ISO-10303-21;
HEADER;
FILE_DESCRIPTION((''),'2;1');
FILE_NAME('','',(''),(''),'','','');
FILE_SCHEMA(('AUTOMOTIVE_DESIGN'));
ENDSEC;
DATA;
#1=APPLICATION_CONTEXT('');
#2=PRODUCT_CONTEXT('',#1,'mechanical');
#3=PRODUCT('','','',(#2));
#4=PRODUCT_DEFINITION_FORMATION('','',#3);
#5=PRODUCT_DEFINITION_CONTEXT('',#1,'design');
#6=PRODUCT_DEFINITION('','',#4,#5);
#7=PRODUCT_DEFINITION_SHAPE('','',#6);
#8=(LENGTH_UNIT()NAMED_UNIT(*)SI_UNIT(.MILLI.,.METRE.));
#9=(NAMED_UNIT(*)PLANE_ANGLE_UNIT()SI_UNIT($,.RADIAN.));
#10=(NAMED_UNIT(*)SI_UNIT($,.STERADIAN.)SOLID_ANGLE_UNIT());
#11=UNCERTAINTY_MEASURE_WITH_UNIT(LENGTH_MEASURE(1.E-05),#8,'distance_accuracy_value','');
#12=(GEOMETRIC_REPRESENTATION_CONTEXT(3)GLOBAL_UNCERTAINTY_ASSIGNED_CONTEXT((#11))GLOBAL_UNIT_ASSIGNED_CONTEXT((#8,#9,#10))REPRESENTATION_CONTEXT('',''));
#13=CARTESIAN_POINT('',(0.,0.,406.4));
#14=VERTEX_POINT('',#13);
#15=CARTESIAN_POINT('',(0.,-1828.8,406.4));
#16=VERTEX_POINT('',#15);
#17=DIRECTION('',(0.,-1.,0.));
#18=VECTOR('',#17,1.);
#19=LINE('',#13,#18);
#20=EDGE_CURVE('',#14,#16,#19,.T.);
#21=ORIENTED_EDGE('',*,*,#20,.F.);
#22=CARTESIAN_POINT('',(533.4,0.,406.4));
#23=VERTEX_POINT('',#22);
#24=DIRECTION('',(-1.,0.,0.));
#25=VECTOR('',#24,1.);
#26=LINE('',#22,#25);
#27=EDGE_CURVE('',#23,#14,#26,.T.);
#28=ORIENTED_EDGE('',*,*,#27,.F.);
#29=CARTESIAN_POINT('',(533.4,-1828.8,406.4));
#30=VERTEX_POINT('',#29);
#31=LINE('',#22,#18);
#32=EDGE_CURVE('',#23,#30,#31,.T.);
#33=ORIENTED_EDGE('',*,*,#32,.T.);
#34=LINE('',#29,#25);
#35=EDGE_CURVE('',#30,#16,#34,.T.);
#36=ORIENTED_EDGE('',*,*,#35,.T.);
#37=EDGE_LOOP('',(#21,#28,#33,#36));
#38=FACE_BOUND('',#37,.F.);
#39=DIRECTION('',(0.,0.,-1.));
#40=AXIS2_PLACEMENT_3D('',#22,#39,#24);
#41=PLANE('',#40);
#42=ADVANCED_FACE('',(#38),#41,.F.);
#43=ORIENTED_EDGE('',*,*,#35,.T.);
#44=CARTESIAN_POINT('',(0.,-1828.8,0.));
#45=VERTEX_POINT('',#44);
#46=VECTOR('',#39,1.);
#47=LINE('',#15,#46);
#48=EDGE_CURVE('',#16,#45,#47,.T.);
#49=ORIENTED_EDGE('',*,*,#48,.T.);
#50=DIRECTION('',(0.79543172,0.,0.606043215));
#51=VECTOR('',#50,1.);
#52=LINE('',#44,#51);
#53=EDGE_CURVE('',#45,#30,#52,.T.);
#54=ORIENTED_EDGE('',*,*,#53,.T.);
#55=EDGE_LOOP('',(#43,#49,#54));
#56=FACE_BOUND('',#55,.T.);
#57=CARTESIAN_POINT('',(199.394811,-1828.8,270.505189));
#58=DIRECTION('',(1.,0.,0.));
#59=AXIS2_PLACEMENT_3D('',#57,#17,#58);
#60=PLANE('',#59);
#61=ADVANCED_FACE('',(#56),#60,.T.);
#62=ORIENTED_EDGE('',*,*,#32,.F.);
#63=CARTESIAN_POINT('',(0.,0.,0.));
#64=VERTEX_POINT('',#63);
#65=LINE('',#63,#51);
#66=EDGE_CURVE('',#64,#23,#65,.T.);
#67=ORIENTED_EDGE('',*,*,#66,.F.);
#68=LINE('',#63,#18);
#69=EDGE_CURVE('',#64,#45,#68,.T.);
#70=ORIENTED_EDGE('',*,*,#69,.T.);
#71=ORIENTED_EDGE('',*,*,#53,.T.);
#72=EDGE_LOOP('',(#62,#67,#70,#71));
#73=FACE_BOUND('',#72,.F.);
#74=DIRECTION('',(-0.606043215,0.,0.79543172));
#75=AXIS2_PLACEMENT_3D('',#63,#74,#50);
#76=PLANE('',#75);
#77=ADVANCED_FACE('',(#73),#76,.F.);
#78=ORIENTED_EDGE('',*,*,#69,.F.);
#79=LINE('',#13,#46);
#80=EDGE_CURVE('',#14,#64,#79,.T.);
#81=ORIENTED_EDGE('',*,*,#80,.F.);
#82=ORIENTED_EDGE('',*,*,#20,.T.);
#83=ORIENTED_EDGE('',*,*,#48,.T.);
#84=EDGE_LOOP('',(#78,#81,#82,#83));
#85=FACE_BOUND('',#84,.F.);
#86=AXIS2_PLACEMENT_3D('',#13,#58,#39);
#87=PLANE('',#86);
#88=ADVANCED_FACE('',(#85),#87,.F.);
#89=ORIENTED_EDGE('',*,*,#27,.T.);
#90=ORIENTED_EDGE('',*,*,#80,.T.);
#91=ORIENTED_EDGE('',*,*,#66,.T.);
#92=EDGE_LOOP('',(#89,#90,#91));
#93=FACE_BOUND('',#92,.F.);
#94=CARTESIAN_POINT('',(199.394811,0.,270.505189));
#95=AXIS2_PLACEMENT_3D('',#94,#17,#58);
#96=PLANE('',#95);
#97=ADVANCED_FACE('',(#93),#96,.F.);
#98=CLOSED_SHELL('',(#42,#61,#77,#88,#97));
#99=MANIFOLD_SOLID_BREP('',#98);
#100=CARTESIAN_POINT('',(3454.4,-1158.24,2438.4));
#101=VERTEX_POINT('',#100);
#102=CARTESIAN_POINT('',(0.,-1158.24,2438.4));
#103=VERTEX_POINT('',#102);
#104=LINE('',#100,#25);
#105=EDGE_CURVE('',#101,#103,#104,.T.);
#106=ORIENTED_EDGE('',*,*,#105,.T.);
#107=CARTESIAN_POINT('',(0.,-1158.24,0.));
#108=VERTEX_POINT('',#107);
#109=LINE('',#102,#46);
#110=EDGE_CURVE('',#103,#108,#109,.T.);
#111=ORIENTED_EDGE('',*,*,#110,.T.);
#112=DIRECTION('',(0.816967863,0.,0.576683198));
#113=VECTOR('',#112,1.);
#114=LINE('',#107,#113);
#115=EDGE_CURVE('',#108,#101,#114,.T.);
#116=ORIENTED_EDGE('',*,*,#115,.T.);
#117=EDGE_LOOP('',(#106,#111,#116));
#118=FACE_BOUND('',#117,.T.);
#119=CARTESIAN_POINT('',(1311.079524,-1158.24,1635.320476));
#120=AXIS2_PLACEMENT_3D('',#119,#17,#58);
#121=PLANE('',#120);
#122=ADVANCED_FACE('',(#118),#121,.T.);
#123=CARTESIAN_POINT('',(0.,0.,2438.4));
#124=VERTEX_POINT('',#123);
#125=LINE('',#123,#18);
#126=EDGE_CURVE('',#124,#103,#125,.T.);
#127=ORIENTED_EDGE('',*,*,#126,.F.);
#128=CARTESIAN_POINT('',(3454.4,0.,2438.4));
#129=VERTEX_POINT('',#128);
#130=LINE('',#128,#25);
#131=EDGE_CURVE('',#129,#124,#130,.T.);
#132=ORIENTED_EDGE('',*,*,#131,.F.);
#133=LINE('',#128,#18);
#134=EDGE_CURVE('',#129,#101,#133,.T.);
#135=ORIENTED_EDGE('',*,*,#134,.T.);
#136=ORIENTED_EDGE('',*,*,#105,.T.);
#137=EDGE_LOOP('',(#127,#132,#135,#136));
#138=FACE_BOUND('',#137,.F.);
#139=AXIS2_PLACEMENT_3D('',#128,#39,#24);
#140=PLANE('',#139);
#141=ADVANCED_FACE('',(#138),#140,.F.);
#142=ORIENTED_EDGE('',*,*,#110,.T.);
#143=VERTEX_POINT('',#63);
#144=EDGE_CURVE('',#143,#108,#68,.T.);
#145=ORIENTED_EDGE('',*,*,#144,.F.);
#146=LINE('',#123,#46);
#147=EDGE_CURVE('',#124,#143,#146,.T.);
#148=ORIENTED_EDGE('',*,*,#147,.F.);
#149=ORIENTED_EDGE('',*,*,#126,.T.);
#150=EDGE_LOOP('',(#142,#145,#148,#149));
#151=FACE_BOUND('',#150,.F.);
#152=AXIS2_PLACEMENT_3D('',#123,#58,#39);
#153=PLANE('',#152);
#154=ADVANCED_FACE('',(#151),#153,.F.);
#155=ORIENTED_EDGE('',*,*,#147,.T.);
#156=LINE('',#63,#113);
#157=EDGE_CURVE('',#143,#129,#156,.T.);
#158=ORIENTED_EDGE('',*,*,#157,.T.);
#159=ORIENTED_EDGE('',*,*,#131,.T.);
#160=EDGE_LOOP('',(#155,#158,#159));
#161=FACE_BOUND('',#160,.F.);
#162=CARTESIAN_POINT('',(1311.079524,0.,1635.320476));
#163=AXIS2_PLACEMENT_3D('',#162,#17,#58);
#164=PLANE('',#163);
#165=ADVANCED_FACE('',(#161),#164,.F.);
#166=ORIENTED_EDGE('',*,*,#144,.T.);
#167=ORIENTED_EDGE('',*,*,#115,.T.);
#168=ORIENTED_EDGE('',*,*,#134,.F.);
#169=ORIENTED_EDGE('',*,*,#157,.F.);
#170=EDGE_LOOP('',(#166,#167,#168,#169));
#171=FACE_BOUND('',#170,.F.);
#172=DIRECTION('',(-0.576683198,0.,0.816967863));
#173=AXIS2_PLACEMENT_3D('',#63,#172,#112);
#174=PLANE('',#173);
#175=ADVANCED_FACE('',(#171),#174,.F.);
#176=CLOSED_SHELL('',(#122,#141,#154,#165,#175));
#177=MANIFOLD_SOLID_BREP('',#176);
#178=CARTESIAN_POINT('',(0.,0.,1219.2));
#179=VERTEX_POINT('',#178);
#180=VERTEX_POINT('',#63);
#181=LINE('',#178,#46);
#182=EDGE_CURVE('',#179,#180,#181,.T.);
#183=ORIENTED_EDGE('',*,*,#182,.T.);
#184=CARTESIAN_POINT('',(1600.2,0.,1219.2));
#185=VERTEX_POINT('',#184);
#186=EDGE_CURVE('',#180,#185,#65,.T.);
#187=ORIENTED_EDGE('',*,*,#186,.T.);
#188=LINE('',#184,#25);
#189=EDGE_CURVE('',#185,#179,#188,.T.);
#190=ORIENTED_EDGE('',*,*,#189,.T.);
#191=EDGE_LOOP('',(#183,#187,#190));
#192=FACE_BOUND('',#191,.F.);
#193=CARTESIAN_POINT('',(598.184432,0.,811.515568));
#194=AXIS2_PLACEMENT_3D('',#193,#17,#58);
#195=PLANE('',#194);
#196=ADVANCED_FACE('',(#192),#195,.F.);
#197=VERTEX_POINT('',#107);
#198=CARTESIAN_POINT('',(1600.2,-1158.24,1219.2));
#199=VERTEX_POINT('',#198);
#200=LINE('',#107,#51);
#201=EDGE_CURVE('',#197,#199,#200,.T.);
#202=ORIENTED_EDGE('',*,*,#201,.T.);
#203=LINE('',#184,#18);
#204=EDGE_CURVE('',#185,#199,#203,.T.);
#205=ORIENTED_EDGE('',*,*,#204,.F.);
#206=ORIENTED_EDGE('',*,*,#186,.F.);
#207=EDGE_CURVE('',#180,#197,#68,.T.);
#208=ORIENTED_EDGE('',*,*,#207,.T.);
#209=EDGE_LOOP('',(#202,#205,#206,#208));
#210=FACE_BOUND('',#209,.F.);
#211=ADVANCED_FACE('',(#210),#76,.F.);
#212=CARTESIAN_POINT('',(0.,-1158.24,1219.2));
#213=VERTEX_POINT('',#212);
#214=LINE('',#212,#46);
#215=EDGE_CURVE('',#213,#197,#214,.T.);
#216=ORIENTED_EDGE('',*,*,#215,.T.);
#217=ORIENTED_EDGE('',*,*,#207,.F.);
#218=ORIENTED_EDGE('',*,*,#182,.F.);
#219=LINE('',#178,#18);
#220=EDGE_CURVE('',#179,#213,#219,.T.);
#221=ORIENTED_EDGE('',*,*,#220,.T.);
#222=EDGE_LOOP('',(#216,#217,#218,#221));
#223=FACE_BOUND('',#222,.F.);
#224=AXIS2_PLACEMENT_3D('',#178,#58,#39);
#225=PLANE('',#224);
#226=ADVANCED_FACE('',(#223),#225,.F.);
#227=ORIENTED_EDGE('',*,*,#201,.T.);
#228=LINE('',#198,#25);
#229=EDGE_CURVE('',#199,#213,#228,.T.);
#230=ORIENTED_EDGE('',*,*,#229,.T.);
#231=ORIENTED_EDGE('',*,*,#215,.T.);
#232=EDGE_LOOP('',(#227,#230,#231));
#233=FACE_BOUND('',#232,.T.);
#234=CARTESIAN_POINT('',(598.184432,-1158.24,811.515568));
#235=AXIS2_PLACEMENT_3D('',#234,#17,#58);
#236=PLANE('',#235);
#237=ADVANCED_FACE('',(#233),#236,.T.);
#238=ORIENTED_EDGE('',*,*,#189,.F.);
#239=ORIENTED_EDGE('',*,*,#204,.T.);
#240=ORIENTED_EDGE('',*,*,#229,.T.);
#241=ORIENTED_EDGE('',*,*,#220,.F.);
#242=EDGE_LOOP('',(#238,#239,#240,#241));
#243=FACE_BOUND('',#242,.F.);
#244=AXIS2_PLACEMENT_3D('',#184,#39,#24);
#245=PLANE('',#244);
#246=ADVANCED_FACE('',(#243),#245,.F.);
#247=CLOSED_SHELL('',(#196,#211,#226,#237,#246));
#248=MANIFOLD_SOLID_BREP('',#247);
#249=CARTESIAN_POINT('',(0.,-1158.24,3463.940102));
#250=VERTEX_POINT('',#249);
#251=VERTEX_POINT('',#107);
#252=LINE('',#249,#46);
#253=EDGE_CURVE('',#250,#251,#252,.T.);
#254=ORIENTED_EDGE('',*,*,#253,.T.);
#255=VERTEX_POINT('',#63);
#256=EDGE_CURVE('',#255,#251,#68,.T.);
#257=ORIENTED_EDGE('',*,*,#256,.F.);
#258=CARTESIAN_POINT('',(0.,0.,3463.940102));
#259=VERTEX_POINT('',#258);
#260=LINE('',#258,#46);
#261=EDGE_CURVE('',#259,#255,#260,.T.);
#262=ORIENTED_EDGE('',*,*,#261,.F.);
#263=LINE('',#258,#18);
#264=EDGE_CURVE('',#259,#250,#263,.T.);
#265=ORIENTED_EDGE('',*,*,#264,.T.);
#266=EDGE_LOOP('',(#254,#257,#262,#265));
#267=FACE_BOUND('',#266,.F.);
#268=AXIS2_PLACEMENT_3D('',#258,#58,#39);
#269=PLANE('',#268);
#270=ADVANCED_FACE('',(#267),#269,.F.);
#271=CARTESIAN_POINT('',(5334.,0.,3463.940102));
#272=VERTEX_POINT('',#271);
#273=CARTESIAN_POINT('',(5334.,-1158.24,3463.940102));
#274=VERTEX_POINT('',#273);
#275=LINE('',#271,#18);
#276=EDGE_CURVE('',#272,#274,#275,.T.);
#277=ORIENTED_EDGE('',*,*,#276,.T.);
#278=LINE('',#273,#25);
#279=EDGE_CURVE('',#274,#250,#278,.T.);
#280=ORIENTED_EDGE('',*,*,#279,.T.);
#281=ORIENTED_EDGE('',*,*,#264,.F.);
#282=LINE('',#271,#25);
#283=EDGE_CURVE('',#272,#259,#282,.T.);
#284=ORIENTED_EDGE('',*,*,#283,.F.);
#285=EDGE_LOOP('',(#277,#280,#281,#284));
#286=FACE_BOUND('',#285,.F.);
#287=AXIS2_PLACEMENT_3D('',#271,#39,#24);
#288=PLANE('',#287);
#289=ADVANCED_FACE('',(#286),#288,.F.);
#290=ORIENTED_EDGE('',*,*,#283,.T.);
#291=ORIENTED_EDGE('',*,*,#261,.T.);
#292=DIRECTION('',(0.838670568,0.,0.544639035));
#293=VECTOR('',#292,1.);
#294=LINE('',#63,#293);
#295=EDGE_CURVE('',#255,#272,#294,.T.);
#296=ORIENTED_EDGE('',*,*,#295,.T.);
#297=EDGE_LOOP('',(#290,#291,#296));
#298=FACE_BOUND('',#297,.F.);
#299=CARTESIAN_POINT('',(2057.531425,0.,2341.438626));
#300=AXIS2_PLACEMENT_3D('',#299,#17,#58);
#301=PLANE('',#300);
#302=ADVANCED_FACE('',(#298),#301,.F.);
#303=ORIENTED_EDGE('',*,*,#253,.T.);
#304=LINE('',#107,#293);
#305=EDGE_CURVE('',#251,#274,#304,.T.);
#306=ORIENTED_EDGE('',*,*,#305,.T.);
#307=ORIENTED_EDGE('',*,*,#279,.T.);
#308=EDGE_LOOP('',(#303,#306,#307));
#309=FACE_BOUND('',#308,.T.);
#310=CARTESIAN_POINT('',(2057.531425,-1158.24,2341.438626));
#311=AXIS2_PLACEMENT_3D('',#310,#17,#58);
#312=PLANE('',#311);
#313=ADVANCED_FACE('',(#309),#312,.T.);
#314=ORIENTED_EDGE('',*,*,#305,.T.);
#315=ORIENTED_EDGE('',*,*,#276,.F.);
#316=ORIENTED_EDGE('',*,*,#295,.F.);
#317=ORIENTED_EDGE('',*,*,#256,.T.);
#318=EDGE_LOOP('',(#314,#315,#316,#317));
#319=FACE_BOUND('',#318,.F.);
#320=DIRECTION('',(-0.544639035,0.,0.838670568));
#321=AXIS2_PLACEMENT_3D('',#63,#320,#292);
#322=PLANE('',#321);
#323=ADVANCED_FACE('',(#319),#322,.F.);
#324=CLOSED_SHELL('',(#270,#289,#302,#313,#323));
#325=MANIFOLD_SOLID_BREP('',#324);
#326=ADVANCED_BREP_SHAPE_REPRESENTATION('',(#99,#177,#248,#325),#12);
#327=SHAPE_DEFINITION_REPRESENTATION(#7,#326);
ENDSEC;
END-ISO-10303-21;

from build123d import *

# Parameters (mm, degrees)
F1_DEPTH = 1158.24
F3_DEPTH = 1158.24
F5_DEPTH = 1158.24
F7_DEPTH = 1828.8


with BuildPart() as f1:
    # F0 (on Front) → F1 (new body)
    with BuildSketch(Plane.XZ):
        Polygon((0, 3463.940102), (0, 0), (5334, 3463.940102), align=None)
    extrude(amount=F1_DEPTH)


with BuildPart() as f3:
    # F2 (on Front) → F3 (new body)
    with BuildSketch(Plane.XZ):
        Polygon((0, 2438.4), (0, 0), (3454.4, 2438.4), align=None)
    extrude(amount=F3_DEPTH)


with BuildPart() as f5:
    # F4 (on Front) → F5 (new body)
    with BuildSketch(Plane.XZ):
        Polygon((0, 1219.2), (0, 0), (1600.2, 1219.2), align=None)
    extrude(amount=F5_DEPTH)


with BuildPart() as f7:
    # F6 (on Front) → F7 (new body)
    with BuildSketch(Plane.XZ):
        Polygon((0, 406.4), (0, 0), (533.4, 406.4), align=None)
    extrude(amount=F7_DEPTH)


solid = Compound([f1.part, f3.part, f5.part, f7.part])
